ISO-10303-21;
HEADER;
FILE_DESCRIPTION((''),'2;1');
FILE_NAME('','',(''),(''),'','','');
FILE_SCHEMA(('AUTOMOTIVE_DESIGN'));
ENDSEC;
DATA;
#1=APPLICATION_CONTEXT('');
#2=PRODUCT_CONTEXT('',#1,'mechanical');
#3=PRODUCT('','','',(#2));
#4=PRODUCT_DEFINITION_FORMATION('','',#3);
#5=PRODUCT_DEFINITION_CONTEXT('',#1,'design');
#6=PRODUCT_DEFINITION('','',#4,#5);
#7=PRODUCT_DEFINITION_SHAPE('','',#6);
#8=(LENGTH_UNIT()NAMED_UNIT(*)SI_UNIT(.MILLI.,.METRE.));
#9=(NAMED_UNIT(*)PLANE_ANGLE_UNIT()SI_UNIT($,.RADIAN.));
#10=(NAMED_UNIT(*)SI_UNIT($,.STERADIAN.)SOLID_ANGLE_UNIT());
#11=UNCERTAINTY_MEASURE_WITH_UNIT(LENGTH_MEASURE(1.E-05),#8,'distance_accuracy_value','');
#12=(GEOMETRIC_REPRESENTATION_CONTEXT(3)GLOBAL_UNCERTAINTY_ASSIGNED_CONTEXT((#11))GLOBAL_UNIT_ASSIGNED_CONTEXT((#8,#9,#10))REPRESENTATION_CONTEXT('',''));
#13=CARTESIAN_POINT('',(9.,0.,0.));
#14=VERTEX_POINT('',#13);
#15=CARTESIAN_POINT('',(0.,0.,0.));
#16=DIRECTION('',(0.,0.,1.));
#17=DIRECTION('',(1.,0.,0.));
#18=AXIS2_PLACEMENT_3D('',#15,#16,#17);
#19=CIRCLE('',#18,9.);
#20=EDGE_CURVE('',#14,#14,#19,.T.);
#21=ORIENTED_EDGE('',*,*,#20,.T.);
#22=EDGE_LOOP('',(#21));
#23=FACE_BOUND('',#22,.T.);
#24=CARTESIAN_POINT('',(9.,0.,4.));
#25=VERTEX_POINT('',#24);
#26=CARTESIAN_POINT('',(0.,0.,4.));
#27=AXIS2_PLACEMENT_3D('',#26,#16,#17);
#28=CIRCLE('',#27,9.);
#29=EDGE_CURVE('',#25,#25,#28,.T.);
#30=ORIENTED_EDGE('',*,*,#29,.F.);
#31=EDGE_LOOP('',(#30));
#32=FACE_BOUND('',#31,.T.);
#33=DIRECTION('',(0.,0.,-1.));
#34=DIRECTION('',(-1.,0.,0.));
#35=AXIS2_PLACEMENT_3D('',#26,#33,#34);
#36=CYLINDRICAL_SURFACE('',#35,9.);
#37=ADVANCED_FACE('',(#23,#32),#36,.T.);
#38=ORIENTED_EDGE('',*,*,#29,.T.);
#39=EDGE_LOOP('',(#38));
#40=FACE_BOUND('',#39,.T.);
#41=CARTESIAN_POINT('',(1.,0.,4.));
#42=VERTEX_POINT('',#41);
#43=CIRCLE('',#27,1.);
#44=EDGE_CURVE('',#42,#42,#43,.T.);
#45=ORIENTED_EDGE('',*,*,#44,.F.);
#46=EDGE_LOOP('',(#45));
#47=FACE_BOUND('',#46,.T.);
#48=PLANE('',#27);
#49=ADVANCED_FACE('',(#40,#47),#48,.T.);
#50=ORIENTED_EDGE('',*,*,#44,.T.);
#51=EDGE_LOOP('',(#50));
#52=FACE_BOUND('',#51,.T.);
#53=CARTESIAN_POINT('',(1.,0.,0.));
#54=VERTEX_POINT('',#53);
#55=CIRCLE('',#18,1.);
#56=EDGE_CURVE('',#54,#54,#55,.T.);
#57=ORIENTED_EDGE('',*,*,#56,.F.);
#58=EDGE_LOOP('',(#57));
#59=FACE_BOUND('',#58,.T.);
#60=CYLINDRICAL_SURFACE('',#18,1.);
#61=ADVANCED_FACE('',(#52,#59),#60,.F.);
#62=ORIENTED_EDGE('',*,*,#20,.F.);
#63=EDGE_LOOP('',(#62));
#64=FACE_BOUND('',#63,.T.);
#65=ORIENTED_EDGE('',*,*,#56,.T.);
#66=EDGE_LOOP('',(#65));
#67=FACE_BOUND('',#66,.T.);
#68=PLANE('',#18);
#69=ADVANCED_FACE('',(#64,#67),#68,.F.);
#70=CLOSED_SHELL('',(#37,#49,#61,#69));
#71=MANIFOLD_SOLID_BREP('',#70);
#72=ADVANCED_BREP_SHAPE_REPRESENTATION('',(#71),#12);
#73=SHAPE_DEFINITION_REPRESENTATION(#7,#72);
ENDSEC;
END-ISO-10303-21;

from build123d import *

# Parameters (mm, degrees)
SKETCH_1_R          = 9
EXTRUDE_1_DEPTH     = 4
SKETCH_2_R          = 1
CUT_EXTRUDE_1_DEPTH = 5


with BuildPart() as part:
    # 草图1 → 凸台-拉伸1 (new body)
    with BuildSketch(Plane.XY):
        Circle(SKETCH_1_R)
    extrude(amount=EXTRUDE_1_DEPTH)

    # 草图2 → 切除-拉伸1 (cut, through all)
    with BuildSketch(Plane.XY.offset(4)):
        Circle(SKETCH_2_R)
    extrude(amount=-CUT_EXTRUDE_1_DEPTH, mode=Mode.SUBTRACT)


solid = part.part
